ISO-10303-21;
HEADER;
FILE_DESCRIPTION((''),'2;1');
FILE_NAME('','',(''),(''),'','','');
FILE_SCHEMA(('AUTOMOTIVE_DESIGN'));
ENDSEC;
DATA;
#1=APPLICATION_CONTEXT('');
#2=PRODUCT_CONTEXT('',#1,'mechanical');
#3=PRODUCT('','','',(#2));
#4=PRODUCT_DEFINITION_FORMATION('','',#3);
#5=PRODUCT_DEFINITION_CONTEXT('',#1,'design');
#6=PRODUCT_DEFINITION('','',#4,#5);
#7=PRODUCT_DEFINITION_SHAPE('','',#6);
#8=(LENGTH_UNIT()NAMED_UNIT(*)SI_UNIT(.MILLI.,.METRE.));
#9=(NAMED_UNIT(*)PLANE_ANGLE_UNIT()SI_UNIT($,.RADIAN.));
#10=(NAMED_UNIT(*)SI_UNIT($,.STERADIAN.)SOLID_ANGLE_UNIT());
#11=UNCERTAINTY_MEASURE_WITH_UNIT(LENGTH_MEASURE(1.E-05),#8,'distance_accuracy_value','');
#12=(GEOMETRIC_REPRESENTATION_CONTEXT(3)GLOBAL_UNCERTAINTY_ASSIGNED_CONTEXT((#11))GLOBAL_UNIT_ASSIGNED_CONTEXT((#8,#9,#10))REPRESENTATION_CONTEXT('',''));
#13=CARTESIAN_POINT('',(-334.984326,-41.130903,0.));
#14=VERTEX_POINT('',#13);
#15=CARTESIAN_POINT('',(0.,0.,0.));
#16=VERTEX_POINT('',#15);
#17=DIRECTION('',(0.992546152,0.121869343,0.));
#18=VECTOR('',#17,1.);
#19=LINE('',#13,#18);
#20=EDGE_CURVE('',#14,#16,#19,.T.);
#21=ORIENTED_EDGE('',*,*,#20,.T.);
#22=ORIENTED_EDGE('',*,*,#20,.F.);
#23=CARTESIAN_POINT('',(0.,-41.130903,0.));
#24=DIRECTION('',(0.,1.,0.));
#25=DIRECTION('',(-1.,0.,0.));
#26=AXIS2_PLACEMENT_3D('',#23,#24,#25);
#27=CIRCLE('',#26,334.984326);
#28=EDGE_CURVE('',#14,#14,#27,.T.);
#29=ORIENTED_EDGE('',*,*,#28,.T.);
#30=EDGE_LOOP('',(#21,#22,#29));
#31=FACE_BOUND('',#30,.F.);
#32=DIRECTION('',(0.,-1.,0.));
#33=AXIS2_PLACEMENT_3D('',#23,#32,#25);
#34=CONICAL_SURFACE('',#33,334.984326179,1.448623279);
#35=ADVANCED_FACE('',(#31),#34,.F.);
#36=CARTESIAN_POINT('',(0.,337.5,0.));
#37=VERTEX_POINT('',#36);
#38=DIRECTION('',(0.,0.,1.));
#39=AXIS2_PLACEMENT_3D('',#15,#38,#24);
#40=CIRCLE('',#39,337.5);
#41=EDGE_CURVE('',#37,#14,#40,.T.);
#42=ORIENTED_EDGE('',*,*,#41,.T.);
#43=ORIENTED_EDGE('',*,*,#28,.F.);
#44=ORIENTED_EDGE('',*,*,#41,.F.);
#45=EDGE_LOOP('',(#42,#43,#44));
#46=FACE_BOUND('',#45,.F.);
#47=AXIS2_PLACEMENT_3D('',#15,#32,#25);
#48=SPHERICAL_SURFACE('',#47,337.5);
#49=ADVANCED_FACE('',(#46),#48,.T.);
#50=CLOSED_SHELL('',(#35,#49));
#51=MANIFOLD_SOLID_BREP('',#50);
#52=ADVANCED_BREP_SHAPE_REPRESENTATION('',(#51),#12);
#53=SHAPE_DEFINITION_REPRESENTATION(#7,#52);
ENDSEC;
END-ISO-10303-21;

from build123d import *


with BuildPart() as f1:
    # F0 (on Top) → F1 (revolve)
    with BuildSketch(Plane.XY):
        with BuildLine():
            Line((0, 0), (0, 337.5))
            ThreePointArc((0, 337.5), (-252.7725557663, 223.6342662728), (-334.9843261789, -41.1309033992))
            Line((-334.9843261789, -41.1309033992), (0, 0))
        make_face()
    revolve(axis=Axis((0, 168.75, 0), (0, 1, 0)))


solid = f1.part
